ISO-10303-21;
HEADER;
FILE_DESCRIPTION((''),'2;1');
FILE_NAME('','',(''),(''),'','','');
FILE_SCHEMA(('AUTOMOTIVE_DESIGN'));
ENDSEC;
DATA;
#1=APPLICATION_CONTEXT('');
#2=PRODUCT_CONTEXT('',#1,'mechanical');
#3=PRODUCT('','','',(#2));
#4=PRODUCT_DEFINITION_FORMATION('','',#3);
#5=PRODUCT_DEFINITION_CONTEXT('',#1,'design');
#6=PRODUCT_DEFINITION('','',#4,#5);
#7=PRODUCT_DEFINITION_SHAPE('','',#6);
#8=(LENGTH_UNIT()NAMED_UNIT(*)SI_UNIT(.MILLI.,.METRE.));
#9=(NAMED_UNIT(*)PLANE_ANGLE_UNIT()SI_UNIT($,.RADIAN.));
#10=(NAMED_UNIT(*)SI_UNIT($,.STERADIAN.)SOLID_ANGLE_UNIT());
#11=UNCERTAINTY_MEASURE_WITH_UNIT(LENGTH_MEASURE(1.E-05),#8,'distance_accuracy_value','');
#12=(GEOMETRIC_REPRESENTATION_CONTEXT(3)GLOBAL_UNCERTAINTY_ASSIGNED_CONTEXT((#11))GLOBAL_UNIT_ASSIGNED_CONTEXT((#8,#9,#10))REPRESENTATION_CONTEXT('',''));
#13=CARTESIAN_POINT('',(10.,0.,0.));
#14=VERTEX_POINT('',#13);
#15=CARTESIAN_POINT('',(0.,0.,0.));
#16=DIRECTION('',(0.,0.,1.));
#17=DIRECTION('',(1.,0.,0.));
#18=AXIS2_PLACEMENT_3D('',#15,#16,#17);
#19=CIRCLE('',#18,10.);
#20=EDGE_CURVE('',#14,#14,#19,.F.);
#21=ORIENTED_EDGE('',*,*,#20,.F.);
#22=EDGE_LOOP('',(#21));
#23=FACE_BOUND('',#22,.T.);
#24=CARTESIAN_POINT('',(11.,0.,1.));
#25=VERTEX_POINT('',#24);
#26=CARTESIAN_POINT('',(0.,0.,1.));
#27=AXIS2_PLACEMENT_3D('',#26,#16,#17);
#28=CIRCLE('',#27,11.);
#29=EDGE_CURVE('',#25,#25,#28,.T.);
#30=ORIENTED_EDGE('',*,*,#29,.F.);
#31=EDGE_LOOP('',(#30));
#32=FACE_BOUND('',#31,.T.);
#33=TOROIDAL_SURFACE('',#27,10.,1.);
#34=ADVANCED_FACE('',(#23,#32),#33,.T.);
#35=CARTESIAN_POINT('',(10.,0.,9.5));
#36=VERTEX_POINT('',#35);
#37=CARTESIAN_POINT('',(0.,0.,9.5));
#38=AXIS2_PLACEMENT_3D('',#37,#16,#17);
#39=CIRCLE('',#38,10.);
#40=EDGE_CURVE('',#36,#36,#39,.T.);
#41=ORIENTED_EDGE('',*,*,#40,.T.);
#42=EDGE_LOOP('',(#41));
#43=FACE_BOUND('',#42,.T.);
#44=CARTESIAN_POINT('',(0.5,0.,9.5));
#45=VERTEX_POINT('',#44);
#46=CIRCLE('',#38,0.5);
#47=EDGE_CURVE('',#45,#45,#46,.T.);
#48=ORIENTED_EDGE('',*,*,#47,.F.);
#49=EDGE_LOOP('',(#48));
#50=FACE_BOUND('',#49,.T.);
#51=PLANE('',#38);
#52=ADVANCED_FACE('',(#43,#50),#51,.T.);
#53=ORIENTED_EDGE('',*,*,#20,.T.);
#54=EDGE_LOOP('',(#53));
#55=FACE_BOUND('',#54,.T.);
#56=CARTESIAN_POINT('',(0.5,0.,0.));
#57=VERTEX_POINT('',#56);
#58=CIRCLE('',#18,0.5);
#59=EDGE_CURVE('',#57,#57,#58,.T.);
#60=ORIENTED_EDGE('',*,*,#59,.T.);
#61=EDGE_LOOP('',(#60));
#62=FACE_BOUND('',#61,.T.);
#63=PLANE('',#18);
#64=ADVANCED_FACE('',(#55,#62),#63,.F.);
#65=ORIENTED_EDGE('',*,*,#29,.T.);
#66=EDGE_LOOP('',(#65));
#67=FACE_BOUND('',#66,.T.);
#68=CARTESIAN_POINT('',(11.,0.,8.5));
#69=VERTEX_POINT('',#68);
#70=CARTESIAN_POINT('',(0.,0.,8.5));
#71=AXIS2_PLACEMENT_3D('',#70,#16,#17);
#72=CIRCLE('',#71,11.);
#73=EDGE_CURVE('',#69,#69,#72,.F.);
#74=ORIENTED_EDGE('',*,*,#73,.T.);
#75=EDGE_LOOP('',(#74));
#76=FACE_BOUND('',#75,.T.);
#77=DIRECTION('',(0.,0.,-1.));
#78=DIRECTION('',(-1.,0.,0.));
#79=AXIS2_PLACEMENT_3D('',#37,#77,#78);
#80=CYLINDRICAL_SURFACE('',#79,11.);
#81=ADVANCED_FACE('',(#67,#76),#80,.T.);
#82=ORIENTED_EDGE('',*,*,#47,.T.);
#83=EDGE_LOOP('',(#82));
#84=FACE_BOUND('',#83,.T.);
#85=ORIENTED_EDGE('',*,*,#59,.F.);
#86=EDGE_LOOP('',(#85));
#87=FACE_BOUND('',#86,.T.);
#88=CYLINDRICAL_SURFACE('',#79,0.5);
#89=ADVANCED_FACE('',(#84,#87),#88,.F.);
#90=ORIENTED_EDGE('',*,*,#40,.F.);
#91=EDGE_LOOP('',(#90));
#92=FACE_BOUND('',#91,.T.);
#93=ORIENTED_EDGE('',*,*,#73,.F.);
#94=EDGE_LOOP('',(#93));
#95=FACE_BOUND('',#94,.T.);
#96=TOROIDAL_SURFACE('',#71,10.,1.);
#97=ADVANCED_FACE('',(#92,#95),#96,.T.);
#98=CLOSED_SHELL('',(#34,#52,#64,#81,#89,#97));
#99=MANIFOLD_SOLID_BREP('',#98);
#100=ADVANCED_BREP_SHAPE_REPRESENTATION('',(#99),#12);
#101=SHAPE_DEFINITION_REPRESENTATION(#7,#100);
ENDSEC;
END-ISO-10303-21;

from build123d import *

# Parameters (mm, degrees)
ESQUISSE1_R        = 11
ESQUISSE1_R_2      = 0.5
BOSS_EXTRU_1_DEPTH = 9.5
CONG_1_R           = 1


with BuildPart() as part:
    # Esquisse1 → Boss.-Extru.1 (new body)
    with BuildSketch(Plane.XY):
        Circle(ESQUISSE1_R)
        Circle(ESQUISSE1_R_2, mode=Mode.SUBTRACT)
    extrude(amount=BOSS_EXTRU_1_DEPTH)

    # Congé1
    cong_1_edges = [part.edges().sort_by_distance(p)[0] for p in [
        (-11, 0, 0),
        (-11, 0, 9.5),
    ]]
    fillet(cong_1_edges, radius=CONG_1_R)


solid = part.part
